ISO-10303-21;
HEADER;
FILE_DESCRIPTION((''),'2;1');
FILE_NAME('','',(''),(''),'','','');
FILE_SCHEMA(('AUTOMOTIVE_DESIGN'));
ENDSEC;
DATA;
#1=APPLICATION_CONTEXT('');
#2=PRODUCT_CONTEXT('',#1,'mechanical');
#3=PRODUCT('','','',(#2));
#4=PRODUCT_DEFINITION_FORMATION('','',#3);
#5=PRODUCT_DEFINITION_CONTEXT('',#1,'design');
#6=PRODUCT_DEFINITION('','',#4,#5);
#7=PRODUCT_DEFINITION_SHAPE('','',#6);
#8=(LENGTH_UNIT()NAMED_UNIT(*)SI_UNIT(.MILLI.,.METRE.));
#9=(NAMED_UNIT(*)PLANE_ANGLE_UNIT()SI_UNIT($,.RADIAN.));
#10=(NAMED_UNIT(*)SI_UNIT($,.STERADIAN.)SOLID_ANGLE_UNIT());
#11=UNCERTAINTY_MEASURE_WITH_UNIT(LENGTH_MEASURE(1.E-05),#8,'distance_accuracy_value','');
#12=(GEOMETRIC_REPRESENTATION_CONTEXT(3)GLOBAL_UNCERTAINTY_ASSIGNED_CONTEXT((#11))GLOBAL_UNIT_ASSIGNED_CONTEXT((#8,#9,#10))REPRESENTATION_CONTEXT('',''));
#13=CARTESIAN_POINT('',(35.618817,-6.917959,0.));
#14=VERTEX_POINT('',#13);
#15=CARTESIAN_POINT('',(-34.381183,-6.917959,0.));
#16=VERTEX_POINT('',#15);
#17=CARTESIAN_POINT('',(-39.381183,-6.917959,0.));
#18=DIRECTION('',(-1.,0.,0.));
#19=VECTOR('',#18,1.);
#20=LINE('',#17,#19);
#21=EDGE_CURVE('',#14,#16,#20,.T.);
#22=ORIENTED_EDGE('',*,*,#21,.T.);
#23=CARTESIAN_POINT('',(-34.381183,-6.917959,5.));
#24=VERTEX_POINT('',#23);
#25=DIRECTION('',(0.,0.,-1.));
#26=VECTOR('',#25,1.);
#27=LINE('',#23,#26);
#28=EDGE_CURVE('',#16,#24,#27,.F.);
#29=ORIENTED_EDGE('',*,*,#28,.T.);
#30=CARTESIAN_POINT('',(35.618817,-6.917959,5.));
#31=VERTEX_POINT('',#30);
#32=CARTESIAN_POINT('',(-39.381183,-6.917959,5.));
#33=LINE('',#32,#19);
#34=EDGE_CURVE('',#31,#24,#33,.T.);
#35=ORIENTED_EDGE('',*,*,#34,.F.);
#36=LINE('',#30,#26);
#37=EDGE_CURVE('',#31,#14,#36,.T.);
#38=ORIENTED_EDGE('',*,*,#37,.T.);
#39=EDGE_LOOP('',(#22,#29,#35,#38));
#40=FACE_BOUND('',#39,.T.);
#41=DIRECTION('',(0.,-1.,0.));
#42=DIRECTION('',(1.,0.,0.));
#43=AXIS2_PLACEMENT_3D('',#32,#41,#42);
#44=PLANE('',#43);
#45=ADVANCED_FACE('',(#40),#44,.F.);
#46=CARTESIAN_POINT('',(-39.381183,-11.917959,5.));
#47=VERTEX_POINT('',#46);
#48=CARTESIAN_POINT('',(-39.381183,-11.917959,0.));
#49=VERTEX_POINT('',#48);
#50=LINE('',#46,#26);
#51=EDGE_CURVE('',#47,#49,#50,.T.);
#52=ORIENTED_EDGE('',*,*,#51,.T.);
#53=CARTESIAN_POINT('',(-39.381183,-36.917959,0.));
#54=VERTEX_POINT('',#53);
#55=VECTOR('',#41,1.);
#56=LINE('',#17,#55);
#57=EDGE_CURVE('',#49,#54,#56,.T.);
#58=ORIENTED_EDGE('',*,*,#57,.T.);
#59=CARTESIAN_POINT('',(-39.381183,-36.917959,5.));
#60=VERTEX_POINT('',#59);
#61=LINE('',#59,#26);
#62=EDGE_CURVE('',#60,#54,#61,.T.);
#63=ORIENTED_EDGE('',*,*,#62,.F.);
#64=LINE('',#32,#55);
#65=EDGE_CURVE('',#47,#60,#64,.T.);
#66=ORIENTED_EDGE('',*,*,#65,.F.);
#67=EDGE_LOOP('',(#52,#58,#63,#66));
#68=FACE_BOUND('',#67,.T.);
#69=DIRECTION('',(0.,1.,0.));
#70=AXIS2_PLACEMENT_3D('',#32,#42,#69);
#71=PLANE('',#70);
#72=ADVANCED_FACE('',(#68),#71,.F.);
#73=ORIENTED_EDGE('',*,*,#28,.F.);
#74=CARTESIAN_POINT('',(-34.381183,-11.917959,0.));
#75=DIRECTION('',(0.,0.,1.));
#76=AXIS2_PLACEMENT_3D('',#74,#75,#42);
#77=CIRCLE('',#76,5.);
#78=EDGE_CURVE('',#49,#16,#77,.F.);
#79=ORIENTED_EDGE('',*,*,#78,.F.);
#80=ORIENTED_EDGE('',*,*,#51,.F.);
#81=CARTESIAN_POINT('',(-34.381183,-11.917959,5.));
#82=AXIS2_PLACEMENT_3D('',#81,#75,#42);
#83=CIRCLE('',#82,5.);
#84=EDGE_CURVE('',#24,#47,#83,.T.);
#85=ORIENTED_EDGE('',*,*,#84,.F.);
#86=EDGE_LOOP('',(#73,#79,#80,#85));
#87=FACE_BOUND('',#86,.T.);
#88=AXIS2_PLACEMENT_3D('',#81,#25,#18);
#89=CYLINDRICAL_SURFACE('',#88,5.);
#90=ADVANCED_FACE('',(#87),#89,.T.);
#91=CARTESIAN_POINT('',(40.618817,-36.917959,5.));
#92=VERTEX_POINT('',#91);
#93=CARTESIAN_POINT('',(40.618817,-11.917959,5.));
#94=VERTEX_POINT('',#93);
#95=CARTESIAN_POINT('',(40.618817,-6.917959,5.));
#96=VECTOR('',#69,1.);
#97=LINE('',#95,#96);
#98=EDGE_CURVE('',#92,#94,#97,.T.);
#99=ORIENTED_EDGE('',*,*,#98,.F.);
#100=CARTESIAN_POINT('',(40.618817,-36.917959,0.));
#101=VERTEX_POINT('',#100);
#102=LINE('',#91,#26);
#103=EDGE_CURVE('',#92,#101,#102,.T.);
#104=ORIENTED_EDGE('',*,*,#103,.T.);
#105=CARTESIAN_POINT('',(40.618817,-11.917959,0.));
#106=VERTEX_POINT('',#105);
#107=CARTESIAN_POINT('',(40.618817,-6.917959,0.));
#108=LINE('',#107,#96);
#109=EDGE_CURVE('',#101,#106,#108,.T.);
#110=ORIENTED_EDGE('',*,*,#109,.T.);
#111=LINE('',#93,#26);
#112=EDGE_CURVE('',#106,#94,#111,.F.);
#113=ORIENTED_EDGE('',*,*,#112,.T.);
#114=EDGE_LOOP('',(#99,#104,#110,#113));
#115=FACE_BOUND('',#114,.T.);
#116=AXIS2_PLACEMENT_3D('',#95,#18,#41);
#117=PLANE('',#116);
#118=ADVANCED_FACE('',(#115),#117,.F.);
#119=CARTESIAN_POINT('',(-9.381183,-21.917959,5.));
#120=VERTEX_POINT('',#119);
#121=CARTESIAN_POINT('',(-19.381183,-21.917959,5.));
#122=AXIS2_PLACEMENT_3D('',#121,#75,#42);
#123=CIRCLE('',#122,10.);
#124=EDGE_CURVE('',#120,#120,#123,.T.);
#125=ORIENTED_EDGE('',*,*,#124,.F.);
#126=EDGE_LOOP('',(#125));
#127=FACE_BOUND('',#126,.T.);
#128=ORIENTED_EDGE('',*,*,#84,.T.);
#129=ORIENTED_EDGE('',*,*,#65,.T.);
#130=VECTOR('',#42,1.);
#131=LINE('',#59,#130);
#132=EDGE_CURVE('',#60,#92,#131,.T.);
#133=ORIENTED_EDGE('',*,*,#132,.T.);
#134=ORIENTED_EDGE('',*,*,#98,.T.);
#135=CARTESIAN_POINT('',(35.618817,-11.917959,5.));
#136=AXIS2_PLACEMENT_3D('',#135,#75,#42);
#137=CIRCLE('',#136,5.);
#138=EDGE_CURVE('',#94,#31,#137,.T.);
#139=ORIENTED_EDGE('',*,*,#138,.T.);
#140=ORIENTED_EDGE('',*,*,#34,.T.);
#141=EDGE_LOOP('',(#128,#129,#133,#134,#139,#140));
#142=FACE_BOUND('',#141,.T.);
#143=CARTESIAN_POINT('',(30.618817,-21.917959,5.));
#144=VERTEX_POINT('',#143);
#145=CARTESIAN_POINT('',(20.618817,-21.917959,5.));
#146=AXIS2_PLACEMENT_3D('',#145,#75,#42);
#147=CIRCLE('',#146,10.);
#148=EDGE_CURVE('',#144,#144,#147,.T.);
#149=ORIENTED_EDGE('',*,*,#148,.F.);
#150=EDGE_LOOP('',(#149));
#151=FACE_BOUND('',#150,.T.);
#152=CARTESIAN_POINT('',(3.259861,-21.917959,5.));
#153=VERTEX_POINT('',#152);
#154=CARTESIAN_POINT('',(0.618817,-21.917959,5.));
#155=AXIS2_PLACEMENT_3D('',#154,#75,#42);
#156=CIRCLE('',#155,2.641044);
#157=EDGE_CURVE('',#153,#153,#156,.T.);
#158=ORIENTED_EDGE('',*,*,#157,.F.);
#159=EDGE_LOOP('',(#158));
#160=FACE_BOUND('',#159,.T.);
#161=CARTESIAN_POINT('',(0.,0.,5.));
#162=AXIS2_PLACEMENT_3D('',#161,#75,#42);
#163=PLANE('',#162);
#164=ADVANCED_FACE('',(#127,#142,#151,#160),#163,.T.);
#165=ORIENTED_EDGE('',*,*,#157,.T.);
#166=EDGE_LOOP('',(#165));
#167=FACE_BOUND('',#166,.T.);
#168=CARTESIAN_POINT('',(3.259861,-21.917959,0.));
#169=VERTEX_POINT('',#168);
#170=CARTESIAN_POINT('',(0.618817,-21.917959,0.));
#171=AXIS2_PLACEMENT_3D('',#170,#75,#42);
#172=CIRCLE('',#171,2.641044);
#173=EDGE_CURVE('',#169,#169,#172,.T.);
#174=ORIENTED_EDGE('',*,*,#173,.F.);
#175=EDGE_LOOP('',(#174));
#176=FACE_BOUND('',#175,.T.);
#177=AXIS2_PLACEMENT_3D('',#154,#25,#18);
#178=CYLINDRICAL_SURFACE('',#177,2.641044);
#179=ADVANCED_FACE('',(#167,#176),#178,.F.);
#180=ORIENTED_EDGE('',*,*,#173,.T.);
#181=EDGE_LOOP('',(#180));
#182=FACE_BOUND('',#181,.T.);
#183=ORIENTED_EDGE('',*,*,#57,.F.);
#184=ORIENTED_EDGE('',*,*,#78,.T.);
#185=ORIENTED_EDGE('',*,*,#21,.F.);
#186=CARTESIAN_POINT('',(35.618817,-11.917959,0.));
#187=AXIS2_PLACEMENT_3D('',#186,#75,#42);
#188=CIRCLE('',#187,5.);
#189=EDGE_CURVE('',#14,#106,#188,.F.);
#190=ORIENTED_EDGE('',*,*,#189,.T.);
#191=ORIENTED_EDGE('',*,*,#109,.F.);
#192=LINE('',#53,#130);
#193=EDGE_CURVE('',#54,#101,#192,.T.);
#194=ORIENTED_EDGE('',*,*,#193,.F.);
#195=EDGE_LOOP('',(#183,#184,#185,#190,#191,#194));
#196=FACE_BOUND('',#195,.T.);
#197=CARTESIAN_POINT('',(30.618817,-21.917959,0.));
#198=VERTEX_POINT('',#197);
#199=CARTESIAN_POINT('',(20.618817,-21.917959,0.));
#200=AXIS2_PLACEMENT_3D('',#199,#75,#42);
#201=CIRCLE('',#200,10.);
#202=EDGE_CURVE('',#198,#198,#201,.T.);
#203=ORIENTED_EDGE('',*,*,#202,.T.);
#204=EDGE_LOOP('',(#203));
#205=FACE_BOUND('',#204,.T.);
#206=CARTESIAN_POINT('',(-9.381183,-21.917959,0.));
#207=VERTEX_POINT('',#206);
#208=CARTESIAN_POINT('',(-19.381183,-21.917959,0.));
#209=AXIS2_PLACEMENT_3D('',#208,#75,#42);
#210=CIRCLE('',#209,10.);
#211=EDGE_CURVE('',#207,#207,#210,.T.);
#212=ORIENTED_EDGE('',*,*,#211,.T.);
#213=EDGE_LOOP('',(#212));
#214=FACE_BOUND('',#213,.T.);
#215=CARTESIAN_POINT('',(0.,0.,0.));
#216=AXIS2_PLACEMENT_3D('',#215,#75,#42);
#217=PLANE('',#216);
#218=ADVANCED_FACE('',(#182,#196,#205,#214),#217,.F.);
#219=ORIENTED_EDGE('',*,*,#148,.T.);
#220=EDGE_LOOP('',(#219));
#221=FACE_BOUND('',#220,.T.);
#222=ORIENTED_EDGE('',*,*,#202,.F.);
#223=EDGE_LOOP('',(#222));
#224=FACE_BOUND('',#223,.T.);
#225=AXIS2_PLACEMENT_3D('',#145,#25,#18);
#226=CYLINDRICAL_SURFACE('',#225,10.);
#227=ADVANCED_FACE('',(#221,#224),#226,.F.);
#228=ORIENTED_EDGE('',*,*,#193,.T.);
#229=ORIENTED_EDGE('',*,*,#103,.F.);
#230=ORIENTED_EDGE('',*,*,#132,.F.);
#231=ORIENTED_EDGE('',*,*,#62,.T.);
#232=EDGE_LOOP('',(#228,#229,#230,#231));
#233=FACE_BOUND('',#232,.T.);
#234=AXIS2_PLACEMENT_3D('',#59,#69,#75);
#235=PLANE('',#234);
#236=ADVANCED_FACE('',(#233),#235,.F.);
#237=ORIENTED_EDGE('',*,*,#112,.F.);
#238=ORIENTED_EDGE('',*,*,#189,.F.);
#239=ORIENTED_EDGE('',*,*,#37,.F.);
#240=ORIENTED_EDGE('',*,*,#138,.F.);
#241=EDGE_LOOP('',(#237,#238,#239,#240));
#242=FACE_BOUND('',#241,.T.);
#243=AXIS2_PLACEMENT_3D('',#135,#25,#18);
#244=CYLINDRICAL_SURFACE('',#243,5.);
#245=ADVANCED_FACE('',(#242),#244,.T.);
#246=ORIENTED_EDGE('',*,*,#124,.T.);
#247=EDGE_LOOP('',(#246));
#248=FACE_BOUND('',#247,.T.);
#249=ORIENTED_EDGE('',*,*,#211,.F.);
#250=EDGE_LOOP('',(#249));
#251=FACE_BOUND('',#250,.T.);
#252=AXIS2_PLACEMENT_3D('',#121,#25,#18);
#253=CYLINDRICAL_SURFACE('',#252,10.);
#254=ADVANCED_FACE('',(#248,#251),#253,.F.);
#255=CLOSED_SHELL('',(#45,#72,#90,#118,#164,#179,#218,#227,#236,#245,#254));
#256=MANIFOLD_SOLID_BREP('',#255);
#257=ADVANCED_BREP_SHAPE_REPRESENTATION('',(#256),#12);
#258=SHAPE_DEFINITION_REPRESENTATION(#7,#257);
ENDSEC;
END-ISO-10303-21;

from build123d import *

# Parameters (mm, degrees)
SKETCH2_W           = 80
SKETCH2_H           = 30
SKETCH2_R           = 10
SKETCH2_R_2         = 2.641043536
BOSS_EXTRUDE1_DEPTH = 5
FILLET2_R           = 5


with BuildPart() as part:
    # Sketch2 → Boss-Extrude1 (new body)
    with BuildSketch(Plane.XY):
        with Locations((0.618817107, -21.917958992)):
            Rectangle(SKETCH2_W, SKETCH2_H)
        with Locations((-19.381182893, -21.917958992)):
            Circle(SKETCH2_R, mode=Mode.SUBTRACT)
        with Locations((20.618817107, -21.917958992)):
            Circle(SKETCH2_R, mode=Mode.SUBTRACT)
        with Locations((0.618817107, -21.917958992)):
            Circle(SKETCH2_R_2, mode=Mode.SUBTRACT)
    extrude(amount=BOSS_EXTRUDE1_DEPTH)

    # Fillet2
    fillet2_edges = [part.edges().sort_by_distance(p)[0] for p in [
        (-39.381182893, -6.917958992, 2.5),
        (40.618817107, -6.917958992, 2.5),
    ]]
    fillet(fillet2_edges, radius=FILLET2_R)


solid = part.part
